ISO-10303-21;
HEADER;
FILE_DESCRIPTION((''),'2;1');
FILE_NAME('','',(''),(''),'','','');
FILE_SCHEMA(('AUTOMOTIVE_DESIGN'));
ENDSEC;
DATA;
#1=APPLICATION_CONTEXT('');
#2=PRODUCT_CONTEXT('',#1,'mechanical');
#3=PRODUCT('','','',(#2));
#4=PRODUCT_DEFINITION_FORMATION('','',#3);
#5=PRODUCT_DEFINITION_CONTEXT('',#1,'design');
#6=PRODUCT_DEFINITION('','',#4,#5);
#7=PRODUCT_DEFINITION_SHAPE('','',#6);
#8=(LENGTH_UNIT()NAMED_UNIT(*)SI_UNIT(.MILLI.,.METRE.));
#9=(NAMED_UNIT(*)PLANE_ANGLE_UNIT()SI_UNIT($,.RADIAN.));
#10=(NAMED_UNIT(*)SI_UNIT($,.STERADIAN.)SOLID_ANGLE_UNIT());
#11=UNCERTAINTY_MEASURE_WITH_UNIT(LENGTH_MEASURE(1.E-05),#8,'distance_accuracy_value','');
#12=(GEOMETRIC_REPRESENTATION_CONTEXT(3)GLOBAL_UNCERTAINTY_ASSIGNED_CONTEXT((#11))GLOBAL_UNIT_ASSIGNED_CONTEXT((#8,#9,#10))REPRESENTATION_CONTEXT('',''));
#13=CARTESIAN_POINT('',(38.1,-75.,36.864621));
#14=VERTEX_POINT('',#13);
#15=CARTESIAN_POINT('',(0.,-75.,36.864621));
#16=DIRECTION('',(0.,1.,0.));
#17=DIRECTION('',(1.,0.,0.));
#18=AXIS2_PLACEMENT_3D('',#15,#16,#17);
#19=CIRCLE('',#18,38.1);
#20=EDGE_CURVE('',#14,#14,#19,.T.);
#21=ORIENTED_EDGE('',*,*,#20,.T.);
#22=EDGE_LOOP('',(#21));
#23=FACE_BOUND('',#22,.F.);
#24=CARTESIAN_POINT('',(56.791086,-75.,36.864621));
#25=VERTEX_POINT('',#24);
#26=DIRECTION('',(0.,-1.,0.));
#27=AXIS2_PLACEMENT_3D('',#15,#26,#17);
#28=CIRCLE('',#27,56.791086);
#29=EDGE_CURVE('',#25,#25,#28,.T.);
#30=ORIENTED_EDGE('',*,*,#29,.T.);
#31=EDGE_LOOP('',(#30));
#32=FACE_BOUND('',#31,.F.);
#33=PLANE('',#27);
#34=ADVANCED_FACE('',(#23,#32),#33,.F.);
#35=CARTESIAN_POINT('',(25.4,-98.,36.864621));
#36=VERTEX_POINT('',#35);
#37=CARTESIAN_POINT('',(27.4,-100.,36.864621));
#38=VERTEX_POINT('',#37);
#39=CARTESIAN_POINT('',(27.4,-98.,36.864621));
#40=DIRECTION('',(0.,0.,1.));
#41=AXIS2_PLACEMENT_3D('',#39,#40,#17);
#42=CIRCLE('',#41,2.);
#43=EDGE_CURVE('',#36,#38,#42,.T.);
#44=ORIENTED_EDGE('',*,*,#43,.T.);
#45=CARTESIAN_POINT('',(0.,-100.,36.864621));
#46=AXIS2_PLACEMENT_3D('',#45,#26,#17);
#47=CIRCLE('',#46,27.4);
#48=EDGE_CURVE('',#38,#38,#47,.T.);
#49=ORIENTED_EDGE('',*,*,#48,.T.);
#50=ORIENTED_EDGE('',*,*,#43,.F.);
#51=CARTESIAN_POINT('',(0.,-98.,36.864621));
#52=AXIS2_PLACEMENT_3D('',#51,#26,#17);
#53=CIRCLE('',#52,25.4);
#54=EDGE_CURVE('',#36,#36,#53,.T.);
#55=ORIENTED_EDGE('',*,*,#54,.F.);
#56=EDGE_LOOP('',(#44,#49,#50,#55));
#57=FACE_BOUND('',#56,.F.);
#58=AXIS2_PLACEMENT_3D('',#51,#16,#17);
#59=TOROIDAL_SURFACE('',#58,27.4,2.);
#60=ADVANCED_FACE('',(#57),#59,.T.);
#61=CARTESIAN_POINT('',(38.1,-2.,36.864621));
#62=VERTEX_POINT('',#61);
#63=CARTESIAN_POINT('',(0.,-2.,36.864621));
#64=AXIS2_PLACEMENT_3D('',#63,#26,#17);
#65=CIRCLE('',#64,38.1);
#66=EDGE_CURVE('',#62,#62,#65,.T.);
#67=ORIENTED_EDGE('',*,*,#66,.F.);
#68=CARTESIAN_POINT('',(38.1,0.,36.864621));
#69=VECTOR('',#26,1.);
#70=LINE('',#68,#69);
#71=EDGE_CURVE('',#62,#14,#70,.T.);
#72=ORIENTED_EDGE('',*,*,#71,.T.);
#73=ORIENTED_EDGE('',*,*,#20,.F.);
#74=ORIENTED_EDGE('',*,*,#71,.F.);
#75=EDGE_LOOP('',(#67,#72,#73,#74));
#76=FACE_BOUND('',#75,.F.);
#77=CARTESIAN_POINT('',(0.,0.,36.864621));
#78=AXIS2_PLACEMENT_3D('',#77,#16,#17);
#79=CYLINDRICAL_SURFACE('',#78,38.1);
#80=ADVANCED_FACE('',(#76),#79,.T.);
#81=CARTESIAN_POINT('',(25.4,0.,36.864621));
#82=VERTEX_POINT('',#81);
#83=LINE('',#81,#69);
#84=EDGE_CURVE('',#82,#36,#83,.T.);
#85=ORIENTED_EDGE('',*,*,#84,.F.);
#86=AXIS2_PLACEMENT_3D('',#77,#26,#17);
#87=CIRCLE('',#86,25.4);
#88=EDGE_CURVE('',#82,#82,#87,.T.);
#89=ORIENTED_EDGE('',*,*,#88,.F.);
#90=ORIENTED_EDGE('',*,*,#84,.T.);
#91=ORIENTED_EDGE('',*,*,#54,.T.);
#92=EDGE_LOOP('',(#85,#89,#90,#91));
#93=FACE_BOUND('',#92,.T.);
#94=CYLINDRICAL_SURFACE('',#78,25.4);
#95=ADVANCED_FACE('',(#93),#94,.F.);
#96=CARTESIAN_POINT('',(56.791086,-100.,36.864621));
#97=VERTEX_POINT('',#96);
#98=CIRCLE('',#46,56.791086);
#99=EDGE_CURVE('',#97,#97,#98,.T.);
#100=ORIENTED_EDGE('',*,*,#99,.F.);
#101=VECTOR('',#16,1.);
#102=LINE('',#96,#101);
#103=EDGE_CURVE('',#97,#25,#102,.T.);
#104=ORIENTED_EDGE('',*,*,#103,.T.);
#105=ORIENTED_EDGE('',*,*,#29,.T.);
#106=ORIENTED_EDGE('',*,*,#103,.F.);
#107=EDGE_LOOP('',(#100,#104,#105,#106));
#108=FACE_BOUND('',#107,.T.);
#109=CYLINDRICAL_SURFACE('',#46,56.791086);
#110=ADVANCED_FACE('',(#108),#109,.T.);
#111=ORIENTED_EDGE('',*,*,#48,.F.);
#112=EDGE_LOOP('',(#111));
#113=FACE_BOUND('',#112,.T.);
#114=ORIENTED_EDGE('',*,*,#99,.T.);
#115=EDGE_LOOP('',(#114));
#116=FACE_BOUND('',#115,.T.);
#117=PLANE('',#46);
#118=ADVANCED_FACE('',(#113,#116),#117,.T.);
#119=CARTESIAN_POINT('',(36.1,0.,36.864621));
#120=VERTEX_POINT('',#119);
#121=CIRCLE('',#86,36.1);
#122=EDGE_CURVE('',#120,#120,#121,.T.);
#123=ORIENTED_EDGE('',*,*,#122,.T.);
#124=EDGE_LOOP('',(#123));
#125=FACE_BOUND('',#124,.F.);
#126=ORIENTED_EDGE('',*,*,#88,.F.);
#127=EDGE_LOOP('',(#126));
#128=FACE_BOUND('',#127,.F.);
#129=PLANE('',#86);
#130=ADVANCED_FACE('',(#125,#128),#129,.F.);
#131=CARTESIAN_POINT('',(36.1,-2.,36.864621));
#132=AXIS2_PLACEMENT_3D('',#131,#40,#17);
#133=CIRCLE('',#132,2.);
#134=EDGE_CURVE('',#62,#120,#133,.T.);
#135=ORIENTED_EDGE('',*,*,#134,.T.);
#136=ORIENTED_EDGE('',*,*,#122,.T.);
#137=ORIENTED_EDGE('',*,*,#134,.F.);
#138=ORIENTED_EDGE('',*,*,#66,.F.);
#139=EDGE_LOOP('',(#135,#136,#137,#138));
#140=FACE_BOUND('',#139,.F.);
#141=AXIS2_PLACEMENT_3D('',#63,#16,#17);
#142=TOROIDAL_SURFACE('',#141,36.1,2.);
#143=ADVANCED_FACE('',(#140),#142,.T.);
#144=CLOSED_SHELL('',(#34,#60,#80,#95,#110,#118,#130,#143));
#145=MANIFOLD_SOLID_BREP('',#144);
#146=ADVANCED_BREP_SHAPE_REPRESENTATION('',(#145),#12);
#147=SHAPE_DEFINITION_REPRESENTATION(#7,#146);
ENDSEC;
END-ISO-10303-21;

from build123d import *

# Parameters (mm, degrees)
F0_R     = 38.1
F0_R_2   = 25.4
F1_DEPTH = 100
F2_R     = 56.791086
F2_R_2   = 25.414512
F3_DEPTH = 25
F4_R     = 2
F5_R     = 2


with BuildPart() as f1:
    # F0 (on Front) → F1 (new body)
    with BuildSketch(Plane.XZ):
        with Locations((0, 36.864621)):
            Circle(F0_R)
        with Locations((0, 36.864621)):
            Circle(F0_R_2, mode=Mode.SUBTRACT)
    extrude(amount=F1_DEPTH)

    # F2 (on face) → F3 (join)
    with BuildSketch(Plane.XZ.offset(100)):
        with Locations((0, 36.864621)):
            Circle(F2_R)
        with Locations((0, 36.864621)):
            Circle(F2_R_2, mode=Mode.SUBTRACT)
    extrude(amount=-F3_DEPTH)

    # F4
    f4_edges = [f1.edges().sort_by_distance(p)[0] for p in [
        (-38.1, 0, 36.864621),
    ]]
    fillet(f4_edges, radius=F4_R)

    # F5
    f5_edges = [f1.edges().sort_by_distance(p)[0] for p in [
        (-25.4, -100, 36.864621),
    ]]
    fillet(f5_edges, radius=F5_R)


solid = f1.part
